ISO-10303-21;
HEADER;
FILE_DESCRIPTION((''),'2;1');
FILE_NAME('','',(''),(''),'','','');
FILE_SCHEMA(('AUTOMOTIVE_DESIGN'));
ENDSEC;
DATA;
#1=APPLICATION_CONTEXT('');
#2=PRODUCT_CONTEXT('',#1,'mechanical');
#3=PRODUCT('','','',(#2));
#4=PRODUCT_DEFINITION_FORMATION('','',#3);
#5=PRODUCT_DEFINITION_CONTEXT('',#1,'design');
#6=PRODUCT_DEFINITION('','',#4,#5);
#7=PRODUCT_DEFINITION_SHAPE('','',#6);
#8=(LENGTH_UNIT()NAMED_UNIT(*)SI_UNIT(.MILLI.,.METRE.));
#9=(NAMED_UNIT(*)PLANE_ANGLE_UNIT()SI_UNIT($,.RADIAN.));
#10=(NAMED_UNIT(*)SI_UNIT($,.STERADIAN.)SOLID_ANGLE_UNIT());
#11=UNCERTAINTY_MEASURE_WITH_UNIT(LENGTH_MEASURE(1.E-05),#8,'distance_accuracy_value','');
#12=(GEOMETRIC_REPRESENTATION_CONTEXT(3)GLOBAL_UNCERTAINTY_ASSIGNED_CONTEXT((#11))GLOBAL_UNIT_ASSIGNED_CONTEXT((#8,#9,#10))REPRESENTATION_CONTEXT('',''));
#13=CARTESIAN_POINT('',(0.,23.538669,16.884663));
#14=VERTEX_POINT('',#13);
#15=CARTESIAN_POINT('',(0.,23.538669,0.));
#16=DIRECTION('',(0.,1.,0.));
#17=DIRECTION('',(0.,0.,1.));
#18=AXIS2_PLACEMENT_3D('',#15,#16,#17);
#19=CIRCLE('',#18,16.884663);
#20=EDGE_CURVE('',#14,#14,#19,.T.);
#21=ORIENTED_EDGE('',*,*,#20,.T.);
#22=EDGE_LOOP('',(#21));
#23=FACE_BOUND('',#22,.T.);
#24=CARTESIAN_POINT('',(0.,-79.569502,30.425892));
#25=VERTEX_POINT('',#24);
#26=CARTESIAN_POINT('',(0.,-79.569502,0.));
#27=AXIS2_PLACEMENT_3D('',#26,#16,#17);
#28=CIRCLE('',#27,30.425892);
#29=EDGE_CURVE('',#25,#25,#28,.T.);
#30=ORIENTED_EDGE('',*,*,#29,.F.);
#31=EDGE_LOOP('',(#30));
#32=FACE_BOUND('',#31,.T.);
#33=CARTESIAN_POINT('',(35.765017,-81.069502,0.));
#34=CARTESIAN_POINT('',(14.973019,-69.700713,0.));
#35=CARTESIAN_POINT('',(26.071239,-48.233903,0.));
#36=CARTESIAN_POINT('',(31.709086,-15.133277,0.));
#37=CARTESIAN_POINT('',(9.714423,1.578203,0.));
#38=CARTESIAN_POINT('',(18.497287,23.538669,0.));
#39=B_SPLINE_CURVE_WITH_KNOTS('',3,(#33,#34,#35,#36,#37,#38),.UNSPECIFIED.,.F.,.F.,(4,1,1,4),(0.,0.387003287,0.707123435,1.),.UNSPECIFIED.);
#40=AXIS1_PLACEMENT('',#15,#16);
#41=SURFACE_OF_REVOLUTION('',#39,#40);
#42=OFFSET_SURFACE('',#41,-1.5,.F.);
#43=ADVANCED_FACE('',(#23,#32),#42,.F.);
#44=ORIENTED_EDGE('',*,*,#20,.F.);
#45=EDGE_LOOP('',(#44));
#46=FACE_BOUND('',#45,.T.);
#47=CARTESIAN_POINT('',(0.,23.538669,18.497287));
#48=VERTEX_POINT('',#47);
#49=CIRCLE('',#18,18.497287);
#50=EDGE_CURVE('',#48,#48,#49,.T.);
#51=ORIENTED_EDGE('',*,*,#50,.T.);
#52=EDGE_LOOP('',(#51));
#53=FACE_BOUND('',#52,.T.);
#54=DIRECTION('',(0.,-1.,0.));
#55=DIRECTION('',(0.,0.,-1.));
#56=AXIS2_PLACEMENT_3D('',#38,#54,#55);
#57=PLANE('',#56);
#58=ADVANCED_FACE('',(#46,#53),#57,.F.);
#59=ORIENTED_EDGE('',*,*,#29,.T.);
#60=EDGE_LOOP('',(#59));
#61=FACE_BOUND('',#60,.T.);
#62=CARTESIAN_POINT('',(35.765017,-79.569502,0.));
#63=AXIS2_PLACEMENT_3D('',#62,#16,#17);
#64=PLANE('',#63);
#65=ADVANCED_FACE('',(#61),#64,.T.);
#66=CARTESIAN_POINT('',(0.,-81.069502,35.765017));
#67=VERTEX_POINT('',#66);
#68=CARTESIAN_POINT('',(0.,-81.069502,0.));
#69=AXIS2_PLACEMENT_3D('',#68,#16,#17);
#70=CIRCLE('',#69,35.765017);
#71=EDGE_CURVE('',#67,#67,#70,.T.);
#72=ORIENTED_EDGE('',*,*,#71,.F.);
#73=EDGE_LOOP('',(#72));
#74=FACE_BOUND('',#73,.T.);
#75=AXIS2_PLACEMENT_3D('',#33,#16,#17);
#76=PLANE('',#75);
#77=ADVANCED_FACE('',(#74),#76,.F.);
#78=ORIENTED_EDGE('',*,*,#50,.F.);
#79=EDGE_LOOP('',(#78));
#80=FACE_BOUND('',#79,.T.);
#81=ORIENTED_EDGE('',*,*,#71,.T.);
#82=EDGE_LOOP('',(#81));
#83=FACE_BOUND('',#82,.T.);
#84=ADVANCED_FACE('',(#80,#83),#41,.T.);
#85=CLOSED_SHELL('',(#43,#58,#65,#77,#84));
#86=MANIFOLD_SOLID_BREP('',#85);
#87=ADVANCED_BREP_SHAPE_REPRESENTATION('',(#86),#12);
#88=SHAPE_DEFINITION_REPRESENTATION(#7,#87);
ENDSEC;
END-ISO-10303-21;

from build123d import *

# Parameters (mm, degrees)
SHELL1_T = -1.5


with BuildPart() as part:
    # Sketch1 → Revolve1 (revolve)
    with BuildSketch(Plane.XY):
        with BuildLine():
            Line((18.497286946, 23.538669378), (0, 23.538669378))
            Line((0, 23.538669378), (0, -81.069502006))
            Line((0, -81.069502006), (35.765017054, -81.069502006))
            add(Edge.make_bspline(
                [(18.497286946, 23.538669378), (9.714423327, 1.578202956), (31.709085733, -15.133276576), (26.071239005, -48.233902909), (14.973018994, -69.700712784), (35.765017054, -81.069502006)],
                knots=[0, 0, 0, 0, 0.292876565, 0.612996713, 1, 1, 1, 1], degree=3))
        make_face()
    revolve(axis=Axis((0, 23.538669378, 0), (0, -1, 0)))

    # Shell1
    shell1_openings = [part.faces().sort_by_distance(p)[0] for p in [
        (0, 23.538669378, 0),
    ]]
    offset(amount=SHELL1_T, openings=shell1_openings, kind=Kind.INTERSECTION)


solid = part.part
